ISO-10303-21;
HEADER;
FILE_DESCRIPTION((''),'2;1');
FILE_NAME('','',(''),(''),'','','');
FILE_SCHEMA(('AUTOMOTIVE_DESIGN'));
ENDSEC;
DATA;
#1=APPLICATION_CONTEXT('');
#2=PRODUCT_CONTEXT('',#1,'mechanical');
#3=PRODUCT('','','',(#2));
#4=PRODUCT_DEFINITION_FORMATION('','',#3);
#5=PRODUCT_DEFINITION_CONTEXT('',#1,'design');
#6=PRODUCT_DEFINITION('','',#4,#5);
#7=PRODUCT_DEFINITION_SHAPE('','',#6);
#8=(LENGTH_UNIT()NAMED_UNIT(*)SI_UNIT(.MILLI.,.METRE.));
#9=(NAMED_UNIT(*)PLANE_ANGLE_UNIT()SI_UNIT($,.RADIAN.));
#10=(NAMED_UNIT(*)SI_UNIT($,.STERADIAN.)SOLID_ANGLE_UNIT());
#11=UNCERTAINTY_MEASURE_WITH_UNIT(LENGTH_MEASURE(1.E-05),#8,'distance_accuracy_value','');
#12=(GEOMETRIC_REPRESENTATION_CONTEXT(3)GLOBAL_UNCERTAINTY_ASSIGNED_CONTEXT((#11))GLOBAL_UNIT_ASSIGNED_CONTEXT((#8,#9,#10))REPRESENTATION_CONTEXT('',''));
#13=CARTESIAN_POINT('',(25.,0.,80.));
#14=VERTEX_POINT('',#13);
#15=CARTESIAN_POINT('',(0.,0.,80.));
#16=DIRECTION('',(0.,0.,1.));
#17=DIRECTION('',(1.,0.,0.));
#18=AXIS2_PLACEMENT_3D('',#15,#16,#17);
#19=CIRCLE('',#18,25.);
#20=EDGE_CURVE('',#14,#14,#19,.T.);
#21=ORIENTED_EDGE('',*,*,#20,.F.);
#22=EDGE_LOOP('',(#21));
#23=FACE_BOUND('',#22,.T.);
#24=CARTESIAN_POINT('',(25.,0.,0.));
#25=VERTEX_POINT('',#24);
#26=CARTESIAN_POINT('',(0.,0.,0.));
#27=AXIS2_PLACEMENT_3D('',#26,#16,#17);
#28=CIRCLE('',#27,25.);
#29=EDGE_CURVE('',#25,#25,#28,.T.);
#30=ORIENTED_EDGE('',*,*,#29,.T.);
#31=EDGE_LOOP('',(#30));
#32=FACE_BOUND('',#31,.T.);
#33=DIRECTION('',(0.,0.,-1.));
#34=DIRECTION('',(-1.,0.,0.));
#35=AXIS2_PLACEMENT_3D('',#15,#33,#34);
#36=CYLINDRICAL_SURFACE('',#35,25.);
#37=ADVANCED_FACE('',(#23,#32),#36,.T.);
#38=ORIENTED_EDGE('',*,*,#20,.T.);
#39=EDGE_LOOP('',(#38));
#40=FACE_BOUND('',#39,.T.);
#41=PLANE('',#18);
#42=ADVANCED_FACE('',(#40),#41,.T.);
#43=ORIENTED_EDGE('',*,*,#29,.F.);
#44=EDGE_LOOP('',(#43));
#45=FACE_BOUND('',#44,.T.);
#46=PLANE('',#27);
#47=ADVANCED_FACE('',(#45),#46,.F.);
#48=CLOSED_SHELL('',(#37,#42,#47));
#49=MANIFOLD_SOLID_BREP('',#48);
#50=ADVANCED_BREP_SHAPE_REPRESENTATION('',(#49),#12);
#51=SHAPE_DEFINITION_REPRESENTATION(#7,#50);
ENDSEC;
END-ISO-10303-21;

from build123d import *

# Parameters (mm, degrees)
SKETCH_1_R      = 25
EXTRUDE_1_DEPTH = 80


with BuildPart() as part:
    # 草图1 → 凸台-拉伸1 (new body)
    with BuildSketch(Plane.XY):
        Circle(SKETCH_1_R)
    extrude(amount=EXTRUDE_1_DEPTH)


solid = part.part
